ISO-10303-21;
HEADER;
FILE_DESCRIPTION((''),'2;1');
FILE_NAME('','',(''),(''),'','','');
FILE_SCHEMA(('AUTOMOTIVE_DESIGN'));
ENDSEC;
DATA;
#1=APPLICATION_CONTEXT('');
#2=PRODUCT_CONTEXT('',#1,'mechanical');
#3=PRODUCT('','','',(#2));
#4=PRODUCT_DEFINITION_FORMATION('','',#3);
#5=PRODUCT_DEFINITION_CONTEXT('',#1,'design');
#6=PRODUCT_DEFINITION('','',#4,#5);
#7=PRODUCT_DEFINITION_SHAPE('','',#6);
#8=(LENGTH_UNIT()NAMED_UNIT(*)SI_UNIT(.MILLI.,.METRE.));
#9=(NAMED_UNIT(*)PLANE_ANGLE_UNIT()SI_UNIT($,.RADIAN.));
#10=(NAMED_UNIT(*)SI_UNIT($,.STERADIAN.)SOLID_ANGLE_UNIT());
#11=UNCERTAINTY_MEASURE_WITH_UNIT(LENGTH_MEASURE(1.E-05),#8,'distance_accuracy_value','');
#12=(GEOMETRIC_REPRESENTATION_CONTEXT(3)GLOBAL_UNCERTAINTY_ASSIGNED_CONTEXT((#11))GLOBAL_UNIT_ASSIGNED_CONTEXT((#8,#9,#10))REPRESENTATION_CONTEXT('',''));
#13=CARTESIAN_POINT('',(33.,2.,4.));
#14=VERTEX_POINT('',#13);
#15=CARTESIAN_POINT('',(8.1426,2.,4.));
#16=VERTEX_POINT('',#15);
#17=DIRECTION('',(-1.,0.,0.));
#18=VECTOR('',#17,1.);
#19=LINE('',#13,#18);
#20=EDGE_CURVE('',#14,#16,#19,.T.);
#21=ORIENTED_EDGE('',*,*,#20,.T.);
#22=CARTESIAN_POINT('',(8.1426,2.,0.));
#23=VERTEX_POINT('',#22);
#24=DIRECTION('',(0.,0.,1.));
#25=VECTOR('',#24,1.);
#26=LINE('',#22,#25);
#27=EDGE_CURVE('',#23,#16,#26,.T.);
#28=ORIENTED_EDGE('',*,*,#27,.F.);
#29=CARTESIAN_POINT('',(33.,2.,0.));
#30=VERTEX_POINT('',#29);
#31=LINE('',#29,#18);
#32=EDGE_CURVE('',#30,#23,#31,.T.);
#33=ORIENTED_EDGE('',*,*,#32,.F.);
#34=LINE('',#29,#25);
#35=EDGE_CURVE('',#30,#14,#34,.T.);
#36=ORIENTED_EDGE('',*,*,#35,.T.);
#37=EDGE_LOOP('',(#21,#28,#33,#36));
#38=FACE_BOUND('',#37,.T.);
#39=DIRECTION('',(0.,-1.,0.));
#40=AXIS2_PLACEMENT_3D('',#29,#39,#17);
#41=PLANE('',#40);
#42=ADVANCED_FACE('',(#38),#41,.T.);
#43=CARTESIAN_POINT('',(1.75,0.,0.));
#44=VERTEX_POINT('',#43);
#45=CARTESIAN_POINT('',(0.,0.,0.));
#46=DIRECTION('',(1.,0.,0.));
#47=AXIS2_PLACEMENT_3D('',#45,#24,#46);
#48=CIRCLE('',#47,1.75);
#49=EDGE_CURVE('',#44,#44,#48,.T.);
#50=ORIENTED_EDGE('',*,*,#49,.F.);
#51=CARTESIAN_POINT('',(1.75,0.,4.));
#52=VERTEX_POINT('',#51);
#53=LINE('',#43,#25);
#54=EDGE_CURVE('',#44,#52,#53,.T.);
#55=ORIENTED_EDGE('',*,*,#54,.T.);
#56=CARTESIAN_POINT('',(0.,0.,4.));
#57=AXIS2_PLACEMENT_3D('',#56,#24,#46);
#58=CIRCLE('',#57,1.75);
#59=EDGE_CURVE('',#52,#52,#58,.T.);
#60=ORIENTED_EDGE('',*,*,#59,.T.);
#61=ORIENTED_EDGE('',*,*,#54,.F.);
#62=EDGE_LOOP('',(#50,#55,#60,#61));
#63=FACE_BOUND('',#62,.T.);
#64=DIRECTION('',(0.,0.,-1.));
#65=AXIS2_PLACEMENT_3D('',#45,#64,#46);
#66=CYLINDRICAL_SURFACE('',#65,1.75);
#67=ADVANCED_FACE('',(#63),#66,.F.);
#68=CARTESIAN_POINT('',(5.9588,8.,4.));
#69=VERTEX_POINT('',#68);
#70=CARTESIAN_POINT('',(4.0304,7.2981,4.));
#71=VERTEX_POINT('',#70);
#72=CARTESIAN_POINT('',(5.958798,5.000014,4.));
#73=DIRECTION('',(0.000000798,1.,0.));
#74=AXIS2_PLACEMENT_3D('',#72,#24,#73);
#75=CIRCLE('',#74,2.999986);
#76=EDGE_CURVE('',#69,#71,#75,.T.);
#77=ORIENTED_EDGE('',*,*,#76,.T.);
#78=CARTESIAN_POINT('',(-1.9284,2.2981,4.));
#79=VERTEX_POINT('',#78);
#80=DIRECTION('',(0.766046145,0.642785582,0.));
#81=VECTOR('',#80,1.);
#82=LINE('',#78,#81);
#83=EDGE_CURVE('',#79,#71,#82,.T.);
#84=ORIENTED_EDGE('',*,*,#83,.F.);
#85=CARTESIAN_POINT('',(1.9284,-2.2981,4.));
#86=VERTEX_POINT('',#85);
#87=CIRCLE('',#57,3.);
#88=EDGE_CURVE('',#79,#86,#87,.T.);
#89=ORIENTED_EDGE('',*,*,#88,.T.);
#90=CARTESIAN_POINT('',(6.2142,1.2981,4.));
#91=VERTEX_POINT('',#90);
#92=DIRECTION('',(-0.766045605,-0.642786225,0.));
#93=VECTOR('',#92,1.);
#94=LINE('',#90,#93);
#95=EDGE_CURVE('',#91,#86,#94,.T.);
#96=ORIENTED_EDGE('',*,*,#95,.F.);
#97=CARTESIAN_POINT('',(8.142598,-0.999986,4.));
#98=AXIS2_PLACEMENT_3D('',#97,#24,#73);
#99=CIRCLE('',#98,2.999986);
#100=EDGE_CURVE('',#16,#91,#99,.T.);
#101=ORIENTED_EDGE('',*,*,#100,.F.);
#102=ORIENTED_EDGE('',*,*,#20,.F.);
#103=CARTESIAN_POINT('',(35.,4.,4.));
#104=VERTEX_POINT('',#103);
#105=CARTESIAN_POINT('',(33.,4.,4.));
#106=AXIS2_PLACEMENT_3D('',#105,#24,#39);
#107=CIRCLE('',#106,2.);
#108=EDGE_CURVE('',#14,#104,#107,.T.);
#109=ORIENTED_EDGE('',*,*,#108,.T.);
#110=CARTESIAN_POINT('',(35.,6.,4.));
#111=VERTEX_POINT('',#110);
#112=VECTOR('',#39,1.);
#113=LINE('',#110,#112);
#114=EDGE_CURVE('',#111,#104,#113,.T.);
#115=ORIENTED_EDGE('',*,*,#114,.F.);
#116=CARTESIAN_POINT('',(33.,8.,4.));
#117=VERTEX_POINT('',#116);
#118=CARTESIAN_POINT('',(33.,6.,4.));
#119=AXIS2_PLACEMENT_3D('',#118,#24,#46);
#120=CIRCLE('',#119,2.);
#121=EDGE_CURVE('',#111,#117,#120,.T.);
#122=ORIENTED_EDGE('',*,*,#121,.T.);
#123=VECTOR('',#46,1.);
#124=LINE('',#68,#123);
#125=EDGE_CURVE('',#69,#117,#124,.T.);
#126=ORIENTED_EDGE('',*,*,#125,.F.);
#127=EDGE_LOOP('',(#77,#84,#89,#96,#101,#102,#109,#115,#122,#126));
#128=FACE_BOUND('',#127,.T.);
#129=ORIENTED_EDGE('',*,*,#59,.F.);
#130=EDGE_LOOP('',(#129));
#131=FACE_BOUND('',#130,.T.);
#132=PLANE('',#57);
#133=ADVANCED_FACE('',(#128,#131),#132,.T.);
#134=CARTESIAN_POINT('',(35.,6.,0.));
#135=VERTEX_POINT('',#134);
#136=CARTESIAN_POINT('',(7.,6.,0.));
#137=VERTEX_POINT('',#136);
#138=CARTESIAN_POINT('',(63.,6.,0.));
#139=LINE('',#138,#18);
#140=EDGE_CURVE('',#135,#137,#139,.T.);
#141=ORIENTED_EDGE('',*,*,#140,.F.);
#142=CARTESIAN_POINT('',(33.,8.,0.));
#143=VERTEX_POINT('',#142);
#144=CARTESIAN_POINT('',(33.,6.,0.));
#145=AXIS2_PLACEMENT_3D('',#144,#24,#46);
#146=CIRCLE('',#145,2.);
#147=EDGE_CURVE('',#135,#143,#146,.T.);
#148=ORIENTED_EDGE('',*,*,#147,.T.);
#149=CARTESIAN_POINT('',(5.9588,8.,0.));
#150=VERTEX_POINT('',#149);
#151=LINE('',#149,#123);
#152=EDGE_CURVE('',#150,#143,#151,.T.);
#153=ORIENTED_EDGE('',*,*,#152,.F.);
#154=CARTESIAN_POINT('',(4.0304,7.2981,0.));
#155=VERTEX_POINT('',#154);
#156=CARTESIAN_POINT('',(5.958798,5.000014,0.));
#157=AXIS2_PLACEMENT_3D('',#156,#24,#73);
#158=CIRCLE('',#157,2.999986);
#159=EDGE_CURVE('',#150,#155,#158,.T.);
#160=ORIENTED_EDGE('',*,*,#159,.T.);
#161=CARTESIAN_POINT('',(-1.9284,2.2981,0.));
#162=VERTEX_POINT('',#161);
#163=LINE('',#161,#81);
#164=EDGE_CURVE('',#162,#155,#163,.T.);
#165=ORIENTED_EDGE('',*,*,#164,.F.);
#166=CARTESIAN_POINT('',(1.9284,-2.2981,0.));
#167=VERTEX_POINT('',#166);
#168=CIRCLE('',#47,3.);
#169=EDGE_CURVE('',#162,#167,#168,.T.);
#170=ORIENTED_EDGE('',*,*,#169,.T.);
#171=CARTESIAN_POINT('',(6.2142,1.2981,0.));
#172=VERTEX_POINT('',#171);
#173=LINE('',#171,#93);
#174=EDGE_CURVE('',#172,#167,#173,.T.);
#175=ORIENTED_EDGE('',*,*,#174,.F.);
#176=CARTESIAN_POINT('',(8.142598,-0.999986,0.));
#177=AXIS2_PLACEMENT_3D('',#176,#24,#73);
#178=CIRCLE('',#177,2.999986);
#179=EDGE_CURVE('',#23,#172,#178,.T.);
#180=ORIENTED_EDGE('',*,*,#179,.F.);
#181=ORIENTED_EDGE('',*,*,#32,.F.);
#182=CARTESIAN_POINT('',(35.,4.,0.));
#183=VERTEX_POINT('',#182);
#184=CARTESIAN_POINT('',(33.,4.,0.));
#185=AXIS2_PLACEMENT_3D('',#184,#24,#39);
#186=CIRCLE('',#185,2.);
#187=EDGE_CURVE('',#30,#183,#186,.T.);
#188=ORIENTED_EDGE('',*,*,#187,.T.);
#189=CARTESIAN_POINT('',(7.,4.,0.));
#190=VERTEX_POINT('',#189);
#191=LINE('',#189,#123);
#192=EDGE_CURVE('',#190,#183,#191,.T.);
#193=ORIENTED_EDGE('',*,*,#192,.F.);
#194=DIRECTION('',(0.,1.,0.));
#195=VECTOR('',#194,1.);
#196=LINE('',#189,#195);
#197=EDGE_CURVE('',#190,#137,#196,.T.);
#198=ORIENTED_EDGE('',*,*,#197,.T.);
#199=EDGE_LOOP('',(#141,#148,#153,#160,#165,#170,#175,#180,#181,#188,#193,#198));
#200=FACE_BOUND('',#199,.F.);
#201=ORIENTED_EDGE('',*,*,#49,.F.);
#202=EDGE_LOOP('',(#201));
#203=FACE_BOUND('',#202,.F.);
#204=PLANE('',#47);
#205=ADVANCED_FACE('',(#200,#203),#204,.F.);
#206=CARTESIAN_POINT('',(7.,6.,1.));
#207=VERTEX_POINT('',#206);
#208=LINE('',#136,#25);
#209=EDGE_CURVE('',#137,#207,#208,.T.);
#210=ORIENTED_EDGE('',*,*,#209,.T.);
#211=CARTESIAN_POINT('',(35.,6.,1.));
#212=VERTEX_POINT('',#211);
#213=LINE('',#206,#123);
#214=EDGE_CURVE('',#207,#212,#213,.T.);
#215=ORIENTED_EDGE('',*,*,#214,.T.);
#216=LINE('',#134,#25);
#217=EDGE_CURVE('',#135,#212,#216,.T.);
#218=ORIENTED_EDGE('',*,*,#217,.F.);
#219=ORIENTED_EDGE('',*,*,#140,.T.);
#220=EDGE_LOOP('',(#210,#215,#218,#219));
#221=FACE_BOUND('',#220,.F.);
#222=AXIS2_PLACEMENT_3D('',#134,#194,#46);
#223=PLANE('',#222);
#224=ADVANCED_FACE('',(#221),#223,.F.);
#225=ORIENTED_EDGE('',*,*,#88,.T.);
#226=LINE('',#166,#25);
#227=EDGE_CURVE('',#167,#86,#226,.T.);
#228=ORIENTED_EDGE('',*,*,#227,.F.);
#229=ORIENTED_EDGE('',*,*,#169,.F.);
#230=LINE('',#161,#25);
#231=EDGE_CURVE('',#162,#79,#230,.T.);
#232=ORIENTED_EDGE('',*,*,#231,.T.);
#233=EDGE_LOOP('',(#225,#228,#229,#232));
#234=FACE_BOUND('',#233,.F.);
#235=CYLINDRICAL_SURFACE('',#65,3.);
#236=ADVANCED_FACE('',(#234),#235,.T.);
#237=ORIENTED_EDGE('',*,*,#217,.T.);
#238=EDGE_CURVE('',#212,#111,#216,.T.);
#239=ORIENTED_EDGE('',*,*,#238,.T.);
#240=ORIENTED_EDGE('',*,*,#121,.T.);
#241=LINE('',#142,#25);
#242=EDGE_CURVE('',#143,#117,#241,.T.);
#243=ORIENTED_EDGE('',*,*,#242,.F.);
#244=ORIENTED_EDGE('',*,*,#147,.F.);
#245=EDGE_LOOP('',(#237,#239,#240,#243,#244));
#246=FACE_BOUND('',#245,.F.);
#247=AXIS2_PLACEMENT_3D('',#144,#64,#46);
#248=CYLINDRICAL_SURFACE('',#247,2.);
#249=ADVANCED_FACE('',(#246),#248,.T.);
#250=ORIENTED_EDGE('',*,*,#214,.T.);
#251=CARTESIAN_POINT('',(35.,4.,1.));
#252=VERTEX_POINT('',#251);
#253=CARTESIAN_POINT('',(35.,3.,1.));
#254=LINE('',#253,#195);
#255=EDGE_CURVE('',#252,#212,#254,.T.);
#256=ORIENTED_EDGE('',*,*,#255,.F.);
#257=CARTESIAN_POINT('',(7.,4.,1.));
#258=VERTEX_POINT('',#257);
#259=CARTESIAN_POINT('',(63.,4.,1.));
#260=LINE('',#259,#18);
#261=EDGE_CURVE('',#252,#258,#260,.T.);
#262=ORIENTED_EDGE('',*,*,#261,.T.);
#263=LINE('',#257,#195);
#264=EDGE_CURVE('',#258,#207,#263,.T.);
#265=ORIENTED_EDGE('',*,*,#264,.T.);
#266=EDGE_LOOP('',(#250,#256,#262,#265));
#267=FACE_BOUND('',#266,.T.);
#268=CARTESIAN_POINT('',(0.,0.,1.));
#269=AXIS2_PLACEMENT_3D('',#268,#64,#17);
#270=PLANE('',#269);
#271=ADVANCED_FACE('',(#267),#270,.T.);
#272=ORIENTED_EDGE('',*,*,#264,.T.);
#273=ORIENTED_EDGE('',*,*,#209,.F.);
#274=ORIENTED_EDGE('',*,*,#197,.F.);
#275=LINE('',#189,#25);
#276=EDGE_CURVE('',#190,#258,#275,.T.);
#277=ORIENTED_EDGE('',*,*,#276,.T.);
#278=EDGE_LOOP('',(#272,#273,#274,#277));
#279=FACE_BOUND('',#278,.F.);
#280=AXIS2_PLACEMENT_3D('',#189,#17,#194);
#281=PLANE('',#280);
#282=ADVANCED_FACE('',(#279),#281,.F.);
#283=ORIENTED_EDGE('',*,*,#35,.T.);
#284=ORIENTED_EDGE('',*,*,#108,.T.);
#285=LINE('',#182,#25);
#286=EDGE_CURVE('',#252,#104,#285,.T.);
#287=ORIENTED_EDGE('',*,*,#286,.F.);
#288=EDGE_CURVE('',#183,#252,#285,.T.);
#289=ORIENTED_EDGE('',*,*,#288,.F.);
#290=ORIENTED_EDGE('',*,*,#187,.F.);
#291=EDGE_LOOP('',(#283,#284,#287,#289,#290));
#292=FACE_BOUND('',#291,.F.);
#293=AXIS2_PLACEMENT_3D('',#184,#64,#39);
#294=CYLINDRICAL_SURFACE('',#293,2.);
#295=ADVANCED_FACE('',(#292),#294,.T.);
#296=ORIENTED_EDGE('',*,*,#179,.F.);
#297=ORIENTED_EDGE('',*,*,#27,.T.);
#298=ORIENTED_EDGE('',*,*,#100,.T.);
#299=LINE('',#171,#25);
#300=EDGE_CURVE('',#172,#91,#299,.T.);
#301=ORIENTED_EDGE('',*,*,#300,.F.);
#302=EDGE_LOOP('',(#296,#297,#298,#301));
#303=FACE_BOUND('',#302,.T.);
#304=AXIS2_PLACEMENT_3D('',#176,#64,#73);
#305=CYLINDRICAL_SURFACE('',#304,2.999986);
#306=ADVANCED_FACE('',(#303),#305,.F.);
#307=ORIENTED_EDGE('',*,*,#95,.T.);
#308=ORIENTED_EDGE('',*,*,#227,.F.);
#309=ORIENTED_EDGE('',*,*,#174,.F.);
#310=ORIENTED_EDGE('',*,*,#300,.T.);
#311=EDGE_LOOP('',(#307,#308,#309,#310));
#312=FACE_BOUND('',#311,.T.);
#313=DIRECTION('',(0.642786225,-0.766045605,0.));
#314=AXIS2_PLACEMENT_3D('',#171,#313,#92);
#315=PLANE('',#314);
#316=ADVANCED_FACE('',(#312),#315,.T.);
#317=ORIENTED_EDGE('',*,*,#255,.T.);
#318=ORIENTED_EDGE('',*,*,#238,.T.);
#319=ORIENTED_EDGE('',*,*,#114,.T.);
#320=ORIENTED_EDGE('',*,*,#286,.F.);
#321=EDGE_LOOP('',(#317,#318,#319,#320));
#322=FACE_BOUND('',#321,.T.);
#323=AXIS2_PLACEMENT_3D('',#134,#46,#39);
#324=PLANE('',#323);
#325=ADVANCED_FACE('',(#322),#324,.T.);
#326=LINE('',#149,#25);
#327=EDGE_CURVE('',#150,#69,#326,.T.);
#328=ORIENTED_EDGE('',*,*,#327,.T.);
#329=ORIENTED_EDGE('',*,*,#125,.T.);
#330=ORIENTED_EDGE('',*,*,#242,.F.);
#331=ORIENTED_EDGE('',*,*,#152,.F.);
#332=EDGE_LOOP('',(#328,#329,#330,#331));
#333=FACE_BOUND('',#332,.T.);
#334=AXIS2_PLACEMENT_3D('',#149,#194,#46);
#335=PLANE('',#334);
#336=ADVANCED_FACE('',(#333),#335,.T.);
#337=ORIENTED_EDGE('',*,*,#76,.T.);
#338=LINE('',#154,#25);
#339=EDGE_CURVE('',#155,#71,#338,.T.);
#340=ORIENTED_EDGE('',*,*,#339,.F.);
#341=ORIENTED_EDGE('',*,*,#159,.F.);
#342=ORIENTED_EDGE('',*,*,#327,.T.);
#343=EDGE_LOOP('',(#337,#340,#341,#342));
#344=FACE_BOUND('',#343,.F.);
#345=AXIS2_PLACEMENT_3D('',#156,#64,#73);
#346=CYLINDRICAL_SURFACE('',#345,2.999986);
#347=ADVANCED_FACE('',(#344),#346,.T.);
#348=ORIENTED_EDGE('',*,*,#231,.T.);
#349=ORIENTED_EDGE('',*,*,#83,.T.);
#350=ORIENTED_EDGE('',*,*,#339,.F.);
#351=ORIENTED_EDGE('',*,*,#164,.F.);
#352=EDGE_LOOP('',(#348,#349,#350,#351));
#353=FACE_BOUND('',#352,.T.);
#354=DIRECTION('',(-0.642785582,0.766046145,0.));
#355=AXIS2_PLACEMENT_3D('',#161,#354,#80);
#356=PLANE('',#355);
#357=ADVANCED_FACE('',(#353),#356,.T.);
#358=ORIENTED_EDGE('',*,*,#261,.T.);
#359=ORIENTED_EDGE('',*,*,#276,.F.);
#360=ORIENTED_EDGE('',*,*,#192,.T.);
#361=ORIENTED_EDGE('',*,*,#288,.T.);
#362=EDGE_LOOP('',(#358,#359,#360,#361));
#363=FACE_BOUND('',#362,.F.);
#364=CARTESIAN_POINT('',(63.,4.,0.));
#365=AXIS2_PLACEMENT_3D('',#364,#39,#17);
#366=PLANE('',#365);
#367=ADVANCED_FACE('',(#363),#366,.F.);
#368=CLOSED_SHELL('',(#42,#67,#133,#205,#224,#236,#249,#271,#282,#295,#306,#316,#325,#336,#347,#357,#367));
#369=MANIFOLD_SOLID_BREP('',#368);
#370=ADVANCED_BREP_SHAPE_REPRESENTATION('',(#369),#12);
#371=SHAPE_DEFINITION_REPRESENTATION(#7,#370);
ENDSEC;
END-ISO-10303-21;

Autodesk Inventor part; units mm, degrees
ref_plane "YZ Plane" through (0, 0, 0) normal (1, 0, 0) x (0, 1, 0)
ref_plane "XZ Plane" through (0, 0, 0) normal (0, 1, 0) x (-1, 0, 0)
ref_plane "XY Plane" through (0, 0, 0) normal (0, 0, 1) x (1, 0, 0)
sketch "Sketch1" plane through (0, 0, 0) normal (0, 0, 1) x (1, 0, 0)
  circle A0 centre (0, 0) radius 3
  line L0 (-1.9284, 2.2981) -> (4.0304, 7.2981)
  line L1 (5.9588, 8) -> (33, 8)
  line L2 (35, 6) -> (35, 4)
  line L3 (33, 2) -> (8.1426, 2)
  line L4 (6.2142, 1.2981) -> (1.9284, -2.2981)
  arc A1 (5.9588, 8) -> (4.0304, 7.2981) centre (5.9588, 5) ccw
  arc A2 (8.1426, 2) -> (6.2142, 1.2981) centre (8.1426, -1) ccw
  arc A3 (35, 6) -> (33, 8) centre (33, 6) ccw
  arc A4 (33, 2) -> (35, 4) centre (33, 4) ccw
  circle A5 centre (0, 0) radius 1.75
  point P0 (35, 8)
  point P1 (35, 2)
  dimension "d0" = 6
  dimension "d1" = 6
  dimension "d2" = 3
  dimension "d3" = 140
  dimension "d4" = 2
  dimension "d5" = 2
  dimension "d6" = 35
  dimension "d7" = 3.5
extrude "Extrusion1" add sketch "Sketch1" along normal blind 4
sketch "Sketch3" plane through (0, 0, 0) normal (0, 0, -1) x (-1, 0, 0)
  line L0 (-63, 4) -> (-7, 4)
  line L1 (-7, 4) -> (-7, 6)
  line L2 (-7, 6) -> (-63, 6)
  line L3 (-63, 6) -> (-63, 4)
  line L4 (-35, 4) -> (-35, 6) projected
  line L5 (-63, 4) -> (-7, 6) construction
  line L6 (-7, 4) -> (-63, 6) construction
  point P0 (0, 0)
  point P1 (-35, 5)
  dimension "d14" = 28
  dimension "d15" = 2
extrude "Extrusion3" cut sketch "Sketch3" against normal blind 1
equation "\"d1\" = d0"
properties part number "espcam-mount-2b"
